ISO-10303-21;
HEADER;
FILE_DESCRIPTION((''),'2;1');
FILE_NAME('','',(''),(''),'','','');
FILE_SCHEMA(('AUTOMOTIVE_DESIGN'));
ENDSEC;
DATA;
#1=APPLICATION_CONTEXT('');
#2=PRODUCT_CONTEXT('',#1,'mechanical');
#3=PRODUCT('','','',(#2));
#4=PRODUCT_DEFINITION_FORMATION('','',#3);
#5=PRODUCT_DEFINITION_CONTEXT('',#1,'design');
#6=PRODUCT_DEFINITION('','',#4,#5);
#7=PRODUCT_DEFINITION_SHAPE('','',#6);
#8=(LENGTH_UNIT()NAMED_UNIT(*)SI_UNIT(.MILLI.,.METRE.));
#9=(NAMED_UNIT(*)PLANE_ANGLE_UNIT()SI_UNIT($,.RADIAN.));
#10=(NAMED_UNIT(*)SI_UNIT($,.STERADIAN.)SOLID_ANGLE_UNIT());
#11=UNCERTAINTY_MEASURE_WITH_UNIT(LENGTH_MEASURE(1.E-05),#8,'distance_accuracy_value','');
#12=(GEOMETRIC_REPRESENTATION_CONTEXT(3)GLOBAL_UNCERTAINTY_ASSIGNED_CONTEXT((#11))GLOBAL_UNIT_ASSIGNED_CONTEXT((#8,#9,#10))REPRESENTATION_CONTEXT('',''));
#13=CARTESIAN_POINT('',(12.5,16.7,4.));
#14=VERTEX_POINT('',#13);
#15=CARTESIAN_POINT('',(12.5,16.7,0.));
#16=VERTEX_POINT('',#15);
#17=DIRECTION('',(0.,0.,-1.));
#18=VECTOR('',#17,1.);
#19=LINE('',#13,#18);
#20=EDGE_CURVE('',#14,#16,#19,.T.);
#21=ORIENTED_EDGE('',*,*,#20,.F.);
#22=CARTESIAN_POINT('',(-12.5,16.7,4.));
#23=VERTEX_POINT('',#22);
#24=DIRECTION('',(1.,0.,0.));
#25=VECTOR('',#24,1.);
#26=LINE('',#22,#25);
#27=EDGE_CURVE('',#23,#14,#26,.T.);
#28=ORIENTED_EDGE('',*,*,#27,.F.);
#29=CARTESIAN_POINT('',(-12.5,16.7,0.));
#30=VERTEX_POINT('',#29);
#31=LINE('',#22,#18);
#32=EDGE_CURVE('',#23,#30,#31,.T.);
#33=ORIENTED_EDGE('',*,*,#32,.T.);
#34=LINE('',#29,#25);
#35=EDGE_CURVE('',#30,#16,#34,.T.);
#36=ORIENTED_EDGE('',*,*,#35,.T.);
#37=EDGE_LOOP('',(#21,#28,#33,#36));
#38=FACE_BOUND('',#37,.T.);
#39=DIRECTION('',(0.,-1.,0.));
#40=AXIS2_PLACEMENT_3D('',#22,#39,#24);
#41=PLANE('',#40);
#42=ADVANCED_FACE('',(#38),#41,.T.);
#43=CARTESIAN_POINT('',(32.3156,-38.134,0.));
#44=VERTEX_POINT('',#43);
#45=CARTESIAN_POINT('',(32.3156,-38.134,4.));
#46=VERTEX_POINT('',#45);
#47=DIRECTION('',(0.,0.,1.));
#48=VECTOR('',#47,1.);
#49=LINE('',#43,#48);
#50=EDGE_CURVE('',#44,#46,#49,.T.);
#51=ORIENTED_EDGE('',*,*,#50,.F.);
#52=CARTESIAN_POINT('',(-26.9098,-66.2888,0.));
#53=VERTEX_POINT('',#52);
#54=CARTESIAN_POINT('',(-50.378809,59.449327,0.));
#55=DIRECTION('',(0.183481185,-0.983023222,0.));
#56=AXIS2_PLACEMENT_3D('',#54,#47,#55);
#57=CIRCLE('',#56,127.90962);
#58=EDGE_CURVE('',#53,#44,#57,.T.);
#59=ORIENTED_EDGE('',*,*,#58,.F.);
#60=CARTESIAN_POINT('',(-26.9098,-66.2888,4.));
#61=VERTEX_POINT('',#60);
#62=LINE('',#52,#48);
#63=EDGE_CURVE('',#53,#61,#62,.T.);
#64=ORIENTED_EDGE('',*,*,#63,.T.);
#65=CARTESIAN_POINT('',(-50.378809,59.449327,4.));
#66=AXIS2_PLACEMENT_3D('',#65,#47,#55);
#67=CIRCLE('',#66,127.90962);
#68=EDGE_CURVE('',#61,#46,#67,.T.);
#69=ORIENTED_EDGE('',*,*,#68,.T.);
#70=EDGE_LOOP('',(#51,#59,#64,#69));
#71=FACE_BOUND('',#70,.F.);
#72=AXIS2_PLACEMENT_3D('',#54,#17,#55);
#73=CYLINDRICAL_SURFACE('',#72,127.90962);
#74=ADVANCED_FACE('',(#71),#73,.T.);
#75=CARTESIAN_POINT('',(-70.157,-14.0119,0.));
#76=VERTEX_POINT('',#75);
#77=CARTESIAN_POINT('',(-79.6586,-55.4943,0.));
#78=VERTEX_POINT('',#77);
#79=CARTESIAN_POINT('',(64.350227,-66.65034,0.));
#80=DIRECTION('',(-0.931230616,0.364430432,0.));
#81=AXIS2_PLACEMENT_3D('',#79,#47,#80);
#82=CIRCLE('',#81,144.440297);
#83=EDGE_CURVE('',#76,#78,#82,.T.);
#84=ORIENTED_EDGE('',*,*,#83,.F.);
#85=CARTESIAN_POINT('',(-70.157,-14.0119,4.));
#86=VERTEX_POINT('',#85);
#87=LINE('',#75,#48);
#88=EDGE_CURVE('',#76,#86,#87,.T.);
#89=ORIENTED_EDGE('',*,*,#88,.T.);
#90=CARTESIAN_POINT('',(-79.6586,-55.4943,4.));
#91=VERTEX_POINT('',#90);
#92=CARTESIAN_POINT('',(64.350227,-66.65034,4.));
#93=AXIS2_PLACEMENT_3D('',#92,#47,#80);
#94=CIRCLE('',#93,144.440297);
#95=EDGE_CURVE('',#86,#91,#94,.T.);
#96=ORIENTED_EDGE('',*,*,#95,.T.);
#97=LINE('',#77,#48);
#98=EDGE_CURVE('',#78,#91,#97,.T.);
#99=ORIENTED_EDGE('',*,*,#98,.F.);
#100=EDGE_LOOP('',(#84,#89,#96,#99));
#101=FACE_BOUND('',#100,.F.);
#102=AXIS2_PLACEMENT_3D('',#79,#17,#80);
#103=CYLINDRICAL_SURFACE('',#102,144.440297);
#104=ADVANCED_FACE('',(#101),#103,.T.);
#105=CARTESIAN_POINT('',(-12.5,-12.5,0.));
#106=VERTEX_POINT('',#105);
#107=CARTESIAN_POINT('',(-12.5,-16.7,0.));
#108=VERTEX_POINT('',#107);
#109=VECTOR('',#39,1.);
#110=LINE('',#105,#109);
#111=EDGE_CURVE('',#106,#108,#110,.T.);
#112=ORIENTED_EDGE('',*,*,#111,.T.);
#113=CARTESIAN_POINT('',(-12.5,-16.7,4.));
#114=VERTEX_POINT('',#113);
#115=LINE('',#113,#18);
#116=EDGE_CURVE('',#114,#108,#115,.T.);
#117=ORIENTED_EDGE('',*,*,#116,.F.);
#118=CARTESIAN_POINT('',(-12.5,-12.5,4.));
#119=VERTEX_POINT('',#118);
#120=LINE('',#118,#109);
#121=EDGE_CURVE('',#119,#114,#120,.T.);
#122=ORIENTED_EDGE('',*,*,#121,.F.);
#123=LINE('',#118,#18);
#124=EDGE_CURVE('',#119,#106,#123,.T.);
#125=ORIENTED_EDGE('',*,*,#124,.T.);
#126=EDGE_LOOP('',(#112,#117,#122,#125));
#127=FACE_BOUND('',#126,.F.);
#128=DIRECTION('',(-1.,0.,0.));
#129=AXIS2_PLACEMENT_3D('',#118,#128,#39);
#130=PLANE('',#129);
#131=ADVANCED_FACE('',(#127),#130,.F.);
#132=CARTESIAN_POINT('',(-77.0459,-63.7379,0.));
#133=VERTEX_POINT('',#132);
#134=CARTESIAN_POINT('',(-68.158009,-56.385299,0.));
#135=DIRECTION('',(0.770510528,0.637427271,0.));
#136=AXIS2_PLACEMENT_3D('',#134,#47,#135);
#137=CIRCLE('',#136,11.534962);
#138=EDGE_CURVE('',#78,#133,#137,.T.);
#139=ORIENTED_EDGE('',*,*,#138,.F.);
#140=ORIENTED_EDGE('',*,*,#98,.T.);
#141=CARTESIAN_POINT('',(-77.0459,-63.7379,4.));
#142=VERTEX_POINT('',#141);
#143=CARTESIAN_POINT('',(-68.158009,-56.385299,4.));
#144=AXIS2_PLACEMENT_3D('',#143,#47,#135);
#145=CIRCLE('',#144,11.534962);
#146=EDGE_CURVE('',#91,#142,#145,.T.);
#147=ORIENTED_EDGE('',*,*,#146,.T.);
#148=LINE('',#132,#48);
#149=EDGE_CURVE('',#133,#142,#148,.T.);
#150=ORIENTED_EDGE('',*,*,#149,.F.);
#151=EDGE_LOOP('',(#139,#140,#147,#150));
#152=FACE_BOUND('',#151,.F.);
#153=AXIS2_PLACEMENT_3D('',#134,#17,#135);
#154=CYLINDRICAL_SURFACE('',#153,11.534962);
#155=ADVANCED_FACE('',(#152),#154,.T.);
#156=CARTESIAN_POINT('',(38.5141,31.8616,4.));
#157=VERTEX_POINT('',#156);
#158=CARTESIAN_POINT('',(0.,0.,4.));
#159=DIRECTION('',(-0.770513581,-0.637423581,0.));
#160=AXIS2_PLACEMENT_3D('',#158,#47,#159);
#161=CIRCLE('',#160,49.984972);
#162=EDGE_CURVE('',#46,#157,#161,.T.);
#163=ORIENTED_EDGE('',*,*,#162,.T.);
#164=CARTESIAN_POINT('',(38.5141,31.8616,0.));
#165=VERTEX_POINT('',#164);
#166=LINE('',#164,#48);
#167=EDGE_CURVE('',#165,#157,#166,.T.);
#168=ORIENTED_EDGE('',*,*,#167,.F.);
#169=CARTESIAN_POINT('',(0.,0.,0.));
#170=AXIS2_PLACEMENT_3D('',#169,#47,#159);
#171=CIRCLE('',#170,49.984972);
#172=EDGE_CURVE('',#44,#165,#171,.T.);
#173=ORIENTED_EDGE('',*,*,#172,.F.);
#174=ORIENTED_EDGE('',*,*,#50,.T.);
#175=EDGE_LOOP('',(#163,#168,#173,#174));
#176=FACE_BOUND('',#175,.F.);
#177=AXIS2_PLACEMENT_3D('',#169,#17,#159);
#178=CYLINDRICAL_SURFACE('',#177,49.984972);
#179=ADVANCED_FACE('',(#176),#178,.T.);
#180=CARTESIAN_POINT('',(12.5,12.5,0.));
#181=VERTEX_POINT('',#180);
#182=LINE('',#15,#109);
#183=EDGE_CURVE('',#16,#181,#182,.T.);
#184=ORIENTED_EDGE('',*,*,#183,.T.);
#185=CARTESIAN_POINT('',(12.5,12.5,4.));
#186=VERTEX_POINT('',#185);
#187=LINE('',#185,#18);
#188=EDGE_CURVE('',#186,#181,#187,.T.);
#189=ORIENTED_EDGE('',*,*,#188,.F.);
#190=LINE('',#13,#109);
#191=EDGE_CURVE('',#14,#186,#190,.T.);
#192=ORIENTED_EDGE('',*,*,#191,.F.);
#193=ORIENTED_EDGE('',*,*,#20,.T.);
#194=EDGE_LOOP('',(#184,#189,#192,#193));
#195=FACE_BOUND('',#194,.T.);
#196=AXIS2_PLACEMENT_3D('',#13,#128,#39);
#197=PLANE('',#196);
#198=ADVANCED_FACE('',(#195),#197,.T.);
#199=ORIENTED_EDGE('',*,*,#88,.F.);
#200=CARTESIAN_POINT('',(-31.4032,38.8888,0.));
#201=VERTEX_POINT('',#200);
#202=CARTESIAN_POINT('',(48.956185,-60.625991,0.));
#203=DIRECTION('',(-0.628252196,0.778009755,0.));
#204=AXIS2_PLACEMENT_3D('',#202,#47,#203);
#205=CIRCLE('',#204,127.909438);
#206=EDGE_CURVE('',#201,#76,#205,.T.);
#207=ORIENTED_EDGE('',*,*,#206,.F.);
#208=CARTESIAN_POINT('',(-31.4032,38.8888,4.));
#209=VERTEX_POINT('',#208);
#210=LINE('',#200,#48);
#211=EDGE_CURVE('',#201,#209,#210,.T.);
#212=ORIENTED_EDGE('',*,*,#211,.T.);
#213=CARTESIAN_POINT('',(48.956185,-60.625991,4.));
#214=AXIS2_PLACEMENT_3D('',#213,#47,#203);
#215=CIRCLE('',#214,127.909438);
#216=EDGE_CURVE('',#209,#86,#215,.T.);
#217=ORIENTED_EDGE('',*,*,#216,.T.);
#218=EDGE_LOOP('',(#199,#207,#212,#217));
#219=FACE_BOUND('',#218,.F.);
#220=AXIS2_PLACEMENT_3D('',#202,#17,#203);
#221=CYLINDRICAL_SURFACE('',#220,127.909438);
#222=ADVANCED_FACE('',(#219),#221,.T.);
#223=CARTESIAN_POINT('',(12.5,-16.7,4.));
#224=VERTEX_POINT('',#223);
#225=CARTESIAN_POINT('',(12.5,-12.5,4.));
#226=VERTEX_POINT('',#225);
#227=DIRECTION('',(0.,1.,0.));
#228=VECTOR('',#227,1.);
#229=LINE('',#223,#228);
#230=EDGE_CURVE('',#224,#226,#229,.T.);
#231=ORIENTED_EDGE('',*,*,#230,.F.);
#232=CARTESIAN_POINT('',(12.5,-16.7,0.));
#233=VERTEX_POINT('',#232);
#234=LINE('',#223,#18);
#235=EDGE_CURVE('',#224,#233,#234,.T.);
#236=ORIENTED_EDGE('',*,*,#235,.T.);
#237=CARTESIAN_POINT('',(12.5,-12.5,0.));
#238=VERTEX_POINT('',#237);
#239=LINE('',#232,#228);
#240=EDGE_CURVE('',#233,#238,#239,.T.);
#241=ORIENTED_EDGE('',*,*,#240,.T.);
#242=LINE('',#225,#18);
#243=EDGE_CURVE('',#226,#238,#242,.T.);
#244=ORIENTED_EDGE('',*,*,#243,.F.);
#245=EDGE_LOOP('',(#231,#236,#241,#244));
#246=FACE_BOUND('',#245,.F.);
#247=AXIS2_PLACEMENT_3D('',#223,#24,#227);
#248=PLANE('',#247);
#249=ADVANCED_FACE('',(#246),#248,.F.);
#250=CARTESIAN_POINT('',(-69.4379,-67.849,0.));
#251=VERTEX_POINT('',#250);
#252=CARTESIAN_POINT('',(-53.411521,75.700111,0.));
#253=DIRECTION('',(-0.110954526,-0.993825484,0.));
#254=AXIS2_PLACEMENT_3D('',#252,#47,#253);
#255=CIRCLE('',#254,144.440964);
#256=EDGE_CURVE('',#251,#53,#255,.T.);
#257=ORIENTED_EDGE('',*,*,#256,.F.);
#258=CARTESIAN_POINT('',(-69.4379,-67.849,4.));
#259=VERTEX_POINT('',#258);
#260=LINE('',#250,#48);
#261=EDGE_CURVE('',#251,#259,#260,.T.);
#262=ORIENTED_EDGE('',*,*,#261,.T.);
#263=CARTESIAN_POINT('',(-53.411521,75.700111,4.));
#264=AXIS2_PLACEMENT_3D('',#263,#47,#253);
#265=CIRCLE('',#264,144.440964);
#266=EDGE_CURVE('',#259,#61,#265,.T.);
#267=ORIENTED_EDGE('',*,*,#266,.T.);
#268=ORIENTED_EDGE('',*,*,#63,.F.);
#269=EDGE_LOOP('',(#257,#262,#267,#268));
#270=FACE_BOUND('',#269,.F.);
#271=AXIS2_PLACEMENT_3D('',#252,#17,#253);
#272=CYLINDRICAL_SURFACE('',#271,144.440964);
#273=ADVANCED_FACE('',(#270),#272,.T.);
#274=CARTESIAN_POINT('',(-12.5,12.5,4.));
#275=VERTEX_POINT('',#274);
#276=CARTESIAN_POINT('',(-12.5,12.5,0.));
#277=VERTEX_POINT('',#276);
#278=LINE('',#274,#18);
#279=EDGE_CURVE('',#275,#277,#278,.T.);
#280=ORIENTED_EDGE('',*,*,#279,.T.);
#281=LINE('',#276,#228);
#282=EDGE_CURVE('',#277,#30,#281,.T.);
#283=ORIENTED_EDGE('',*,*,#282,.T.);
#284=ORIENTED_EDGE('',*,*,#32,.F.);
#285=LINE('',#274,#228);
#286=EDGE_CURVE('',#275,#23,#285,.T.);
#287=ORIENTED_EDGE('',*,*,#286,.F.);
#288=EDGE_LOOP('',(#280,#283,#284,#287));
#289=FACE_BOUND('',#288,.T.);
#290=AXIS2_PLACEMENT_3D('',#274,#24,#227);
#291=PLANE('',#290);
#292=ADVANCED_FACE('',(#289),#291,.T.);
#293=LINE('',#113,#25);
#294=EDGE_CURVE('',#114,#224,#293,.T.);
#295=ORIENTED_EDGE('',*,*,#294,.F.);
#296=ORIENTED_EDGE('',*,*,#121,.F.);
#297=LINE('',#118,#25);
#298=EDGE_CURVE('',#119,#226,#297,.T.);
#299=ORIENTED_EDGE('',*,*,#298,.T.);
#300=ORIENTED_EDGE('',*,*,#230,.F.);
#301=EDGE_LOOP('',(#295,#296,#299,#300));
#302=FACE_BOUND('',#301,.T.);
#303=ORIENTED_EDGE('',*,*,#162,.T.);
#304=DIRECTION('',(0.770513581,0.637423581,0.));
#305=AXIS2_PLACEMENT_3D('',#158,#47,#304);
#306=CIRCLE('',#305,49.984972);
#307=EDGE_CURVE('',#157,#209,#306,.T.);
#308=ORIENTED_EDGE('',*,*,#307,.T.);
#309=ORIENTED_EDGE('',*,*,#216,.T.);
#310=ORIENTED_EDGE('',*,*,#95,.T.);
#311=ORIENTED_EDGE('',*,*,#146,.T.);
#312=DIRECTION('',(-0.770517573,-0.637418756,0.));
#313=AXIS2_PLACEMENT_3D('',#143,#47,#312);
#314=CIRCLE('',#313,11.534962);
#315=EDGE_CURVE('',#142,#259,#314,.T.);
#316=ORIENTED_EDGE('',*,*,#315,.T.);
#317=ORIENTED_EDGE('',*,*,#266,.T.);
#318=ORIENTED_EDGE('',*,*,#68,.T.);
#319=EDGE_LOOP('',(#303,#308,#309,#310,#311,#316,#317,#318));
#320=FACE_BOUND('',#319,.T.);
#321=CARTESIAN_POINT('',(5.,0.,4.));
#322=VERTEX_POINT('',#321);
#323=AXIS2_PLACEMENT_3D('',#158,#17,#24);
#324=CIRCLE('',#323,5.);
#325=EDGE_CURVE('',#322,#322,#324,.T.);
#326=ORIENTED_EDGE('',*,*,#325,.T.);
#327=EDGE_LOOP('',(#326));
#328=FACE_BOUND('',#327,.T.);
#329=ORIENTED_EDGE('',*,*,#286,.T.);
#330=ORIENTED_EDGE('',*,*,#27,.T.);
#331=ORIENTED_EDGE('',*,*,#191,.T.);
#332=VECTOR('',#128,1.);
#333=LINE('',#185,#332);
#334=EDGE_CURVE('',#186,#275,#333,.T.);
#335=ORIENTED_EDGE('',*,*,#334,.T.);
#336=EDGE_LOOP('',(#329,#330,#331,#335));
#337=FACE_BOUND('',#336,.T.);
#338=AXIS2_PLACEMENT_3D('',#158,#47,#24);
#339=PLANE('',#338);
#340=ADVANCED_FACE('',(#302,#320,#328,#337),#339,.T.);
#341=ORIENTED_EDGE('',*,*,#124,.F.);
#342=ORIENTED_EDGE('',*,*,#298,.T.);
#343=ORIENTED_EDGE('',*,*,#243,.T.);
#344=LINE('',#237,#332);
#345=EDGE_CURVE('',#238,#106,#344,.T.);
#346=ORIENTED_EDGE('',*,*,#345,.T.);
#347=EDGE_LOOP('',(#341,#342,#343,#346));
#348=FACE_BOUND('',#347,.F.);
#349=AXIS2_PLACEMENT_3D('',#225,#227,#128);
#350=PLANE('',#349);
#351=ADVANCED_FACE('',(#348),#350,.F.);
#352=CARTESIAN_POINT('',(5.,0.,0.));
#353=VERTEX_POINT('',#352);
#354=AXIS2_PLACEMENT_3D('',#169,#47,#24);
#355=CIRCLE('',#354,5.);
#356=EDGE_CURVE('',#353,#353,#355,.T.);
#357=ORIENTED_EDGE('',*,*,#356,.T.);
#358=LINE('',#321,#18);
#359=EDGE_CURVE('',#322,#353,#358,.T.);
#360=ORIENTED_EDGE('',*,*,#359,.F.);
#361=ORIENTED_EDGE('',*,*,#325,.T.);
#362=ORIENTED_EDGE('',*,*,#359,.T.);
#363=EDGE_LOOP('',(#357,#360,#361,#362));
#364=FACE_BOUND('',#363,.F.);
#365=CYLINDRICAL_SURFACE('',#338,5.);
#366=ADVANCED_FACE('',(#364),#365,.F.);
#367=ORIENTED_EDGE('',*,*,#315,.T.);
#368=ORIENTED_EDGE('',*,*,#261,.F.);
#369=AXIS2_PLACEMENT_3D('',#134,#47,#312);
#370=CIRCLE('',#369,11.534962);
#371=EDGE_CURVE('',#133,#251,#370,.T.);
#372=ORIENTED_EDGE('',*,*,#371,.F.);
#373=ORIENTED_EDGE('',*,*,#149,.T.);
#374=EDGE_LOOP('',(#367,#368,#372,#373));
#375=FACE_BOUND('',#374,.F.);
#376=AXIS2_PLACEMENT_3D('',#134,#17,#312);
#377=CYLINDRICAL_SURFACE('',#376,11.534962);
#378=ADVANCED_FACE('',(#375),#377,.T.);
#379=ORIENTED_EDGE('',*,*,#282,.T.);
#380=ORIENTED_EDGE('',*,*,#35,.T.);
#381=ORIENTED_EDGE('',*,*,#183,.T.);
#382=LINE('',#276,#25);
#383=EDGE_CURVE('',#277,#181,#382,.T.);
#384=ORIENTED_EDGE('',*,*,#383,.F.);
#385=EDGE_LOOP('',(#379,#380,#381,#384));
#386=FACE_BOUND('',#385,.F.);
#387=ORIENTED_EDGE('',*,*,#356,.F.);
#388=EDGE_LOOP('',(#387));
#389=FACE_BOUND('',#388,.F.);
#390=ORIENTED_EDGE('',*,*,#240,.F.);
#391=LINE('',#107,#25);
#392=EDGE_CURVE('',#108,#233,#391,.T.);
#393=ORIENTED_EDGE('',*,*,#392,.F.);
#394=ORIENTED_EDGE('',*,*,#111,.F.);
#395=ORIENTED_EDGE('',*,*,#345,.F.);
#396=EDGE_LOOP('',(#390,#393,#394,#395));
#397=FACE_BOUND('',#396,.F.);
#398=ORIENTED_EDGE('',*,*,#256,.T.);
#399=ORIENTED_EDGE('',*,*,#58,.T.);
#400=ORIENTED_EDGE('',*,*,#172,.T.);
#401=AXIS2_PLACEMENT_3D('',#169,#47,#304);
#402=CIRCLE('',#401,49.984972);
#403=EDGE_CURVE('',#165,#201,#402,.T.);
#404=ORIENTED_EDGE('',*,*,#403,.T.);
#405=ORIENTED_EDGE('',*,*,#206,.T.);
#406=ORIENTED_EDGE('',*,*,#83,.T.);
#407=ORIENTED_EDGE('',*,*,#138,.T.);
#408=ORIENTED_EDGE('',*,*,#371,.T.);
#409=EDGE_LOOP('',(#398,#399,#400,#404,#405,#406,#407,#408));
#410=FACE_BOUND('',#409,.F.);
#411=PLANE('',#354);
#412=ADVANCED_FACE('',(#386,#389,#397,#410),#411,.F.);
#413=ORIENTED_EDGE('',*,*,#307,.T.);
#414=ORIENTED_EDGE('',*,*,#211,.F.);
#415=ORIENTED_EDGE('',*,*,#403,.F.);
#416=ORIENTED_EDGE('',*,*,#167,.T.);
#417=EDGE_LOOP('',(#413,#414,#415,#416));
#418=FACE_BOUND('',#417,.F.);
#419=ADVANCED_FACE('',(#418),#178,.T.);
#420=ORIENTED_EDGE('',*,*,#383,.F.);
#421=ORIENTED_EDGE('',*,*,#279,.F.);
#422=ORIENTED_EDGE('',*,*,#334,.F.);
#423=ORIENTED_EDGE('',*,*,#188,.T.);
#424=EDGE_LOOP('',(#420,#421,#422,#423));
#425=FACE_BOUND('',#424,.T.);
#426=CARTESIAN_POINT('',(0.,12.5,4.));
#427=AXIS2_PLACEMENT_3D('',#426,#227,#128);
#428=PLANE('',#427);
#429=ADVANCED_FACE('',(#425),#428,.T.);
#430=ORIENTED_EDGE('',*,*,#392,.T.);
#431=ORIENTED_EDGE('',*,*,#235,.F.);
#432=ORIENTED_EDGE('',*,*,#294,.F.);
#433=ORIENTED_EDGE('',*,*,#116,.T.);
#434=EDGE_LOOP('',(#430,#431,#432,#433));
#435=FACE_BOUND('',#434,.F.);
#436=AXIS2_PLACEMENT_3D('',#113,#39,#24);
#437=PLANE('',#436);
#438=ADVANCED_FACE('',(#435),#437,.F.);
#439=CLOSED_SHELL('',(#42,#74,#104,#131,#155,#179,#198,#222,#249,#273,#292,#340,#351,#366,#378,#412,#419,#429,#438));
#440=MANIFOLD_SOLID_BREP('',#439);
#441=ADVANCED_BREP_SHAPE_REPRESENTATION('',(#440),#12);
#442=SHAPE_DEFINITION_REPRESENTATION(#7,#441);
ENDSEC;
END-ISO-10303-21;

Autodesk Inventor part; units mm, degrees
ref_plane "YZ Plane" through (0, 0, 0) normal (1, 0, 0) x (0, 1, 0)
ref_plane "XZ Plane" through (0, 0, 0) normal (0, 1, 0) x (-1, 0, 0)
ref_plane "XY Plane" through (0, 0, 0) normal (0, 0, 1) x (1, 0, 0)
sketch "Boceto1" plane through (0, 0, 0) normal (0, 0, 1) x (1, 0, 0)
  arc A0 (38.5141, 31.8616) -> (-38.5141, -31.8616) centre (0, 0) ccw
  arc A1 (-59.2702, -49.0326) -> (-77.0459, -63.7379) centre (-68.158, -56.3852) ccw
  line L0 (-79.6192, -65.8667) -> (-86.9719, -56.9788)
  line L1 (-31.4032, 38.8888) -> (-43.6576, 53.7019)
  line L2 (-43.6576, 53.7019) -> (-86.9719, -56.9788)
  line L3 (-86.9719, -56.9788) -> (-70.157, -14.0119)
  arc A2 (-31.4032, 38.8888) -> (-70.157, -14.0119) centre (48.9563, -60.6261) ccw
  arc A3 (-70.157, -14.0119) -> (-79.6586, -55.4943) centre (64.3488, -66.6499) ccw
  line L4 (2.9626, 2.4509) -> (38.5141, 31.8616)
  line L5 (-2.9626, -2.4509) -> (-79.6192, -65.8667)
  arc A4 (-38.5141, -31.8616) -> (38.5141, 31.8616) centre (0, 0) ccw
  arc A5 (-77.0459, -63.7379) -> (-59.2702, -49.0326) centre (-68.158, -56.3852) ccw
  line L6 (-79.6192, -65.8667) -> (-72.2665, -74.7546)
  line L7 (32.3156, -38.134) -> (44.5701, -52.9471)
  line L8 (44.5701, -52.9471) -> (-72.2665, -74.7546)
  line L9 (-72.2665, -74.7546) -> (-26.9098, -66.2888)
  arc A6 (-26.9098, -66.2888) -> (32.3156, -38.134) centre (-50.3788, 59.4493) ccw
  arc A7 (-69.4379, -67.849) -> (-26.9098, -66.2888) centre (-53.4116, 75.698) ccw
  dimension "d0" = 99.97
  dimension "d6" = 23.07
  dimension "d7" = 11.535
  dimension "d8" = 19.225
  dimension "d9" = 46.14
extrude "Extrusión2" add sketch "Boceto1" along normal blind 4 contours A4 A0 | A0 L5 A1 A3 A2 | A6 A7 A5 L5 A4 | L5 A1 | A5 L5
sketch "Boceto2" plane through (0, 0, 4) normal (0, 0, 1) x (1, 0, 0)
  line L0 (0, 0) -> (0, 12.5)
  line L1 (0, 12.5) -> (-12.5, 12.5)
  line L2 (-12.5, 12.5) -> (-12.5, 16.7)
  line L3 (-12.5, 16.7) -> (12.5, 16.7)
  line L4 (12.5, 16.7) -> (12.5, 12.5)
  line L5 (12.5, 12.5) -> (0, 12.5)
  line L6 (0, 0) -> (12.5, 0)
  line L7 (0, 0) -> (0, -12.5)
  line L8 (0, -12.5) -> (-12.5, -12.5)
  line L9 (-12.5, -12.5) -> (-12.5, -16.7)
  line L10 (-12.5, -16.7) -> (12.5, -16.7)
  line L11 (12.5, -16.7) -> (12.5, -12.5)
  line L12 (12.5, -12.5) -> (0, -12.5)
  circle A0 centre (0, 0) radius 5
  dimension "d24" = 12.5
  dimension "d25" = 12.5
  dimension "d26" = 4.2
  dimension "d27" = 25
  dimension "d28" = 10
extrude "Extrusión3" cut sketch "Boceto2" against normal blind 4
properties part number "leva00" material "Madera (abedul)"
